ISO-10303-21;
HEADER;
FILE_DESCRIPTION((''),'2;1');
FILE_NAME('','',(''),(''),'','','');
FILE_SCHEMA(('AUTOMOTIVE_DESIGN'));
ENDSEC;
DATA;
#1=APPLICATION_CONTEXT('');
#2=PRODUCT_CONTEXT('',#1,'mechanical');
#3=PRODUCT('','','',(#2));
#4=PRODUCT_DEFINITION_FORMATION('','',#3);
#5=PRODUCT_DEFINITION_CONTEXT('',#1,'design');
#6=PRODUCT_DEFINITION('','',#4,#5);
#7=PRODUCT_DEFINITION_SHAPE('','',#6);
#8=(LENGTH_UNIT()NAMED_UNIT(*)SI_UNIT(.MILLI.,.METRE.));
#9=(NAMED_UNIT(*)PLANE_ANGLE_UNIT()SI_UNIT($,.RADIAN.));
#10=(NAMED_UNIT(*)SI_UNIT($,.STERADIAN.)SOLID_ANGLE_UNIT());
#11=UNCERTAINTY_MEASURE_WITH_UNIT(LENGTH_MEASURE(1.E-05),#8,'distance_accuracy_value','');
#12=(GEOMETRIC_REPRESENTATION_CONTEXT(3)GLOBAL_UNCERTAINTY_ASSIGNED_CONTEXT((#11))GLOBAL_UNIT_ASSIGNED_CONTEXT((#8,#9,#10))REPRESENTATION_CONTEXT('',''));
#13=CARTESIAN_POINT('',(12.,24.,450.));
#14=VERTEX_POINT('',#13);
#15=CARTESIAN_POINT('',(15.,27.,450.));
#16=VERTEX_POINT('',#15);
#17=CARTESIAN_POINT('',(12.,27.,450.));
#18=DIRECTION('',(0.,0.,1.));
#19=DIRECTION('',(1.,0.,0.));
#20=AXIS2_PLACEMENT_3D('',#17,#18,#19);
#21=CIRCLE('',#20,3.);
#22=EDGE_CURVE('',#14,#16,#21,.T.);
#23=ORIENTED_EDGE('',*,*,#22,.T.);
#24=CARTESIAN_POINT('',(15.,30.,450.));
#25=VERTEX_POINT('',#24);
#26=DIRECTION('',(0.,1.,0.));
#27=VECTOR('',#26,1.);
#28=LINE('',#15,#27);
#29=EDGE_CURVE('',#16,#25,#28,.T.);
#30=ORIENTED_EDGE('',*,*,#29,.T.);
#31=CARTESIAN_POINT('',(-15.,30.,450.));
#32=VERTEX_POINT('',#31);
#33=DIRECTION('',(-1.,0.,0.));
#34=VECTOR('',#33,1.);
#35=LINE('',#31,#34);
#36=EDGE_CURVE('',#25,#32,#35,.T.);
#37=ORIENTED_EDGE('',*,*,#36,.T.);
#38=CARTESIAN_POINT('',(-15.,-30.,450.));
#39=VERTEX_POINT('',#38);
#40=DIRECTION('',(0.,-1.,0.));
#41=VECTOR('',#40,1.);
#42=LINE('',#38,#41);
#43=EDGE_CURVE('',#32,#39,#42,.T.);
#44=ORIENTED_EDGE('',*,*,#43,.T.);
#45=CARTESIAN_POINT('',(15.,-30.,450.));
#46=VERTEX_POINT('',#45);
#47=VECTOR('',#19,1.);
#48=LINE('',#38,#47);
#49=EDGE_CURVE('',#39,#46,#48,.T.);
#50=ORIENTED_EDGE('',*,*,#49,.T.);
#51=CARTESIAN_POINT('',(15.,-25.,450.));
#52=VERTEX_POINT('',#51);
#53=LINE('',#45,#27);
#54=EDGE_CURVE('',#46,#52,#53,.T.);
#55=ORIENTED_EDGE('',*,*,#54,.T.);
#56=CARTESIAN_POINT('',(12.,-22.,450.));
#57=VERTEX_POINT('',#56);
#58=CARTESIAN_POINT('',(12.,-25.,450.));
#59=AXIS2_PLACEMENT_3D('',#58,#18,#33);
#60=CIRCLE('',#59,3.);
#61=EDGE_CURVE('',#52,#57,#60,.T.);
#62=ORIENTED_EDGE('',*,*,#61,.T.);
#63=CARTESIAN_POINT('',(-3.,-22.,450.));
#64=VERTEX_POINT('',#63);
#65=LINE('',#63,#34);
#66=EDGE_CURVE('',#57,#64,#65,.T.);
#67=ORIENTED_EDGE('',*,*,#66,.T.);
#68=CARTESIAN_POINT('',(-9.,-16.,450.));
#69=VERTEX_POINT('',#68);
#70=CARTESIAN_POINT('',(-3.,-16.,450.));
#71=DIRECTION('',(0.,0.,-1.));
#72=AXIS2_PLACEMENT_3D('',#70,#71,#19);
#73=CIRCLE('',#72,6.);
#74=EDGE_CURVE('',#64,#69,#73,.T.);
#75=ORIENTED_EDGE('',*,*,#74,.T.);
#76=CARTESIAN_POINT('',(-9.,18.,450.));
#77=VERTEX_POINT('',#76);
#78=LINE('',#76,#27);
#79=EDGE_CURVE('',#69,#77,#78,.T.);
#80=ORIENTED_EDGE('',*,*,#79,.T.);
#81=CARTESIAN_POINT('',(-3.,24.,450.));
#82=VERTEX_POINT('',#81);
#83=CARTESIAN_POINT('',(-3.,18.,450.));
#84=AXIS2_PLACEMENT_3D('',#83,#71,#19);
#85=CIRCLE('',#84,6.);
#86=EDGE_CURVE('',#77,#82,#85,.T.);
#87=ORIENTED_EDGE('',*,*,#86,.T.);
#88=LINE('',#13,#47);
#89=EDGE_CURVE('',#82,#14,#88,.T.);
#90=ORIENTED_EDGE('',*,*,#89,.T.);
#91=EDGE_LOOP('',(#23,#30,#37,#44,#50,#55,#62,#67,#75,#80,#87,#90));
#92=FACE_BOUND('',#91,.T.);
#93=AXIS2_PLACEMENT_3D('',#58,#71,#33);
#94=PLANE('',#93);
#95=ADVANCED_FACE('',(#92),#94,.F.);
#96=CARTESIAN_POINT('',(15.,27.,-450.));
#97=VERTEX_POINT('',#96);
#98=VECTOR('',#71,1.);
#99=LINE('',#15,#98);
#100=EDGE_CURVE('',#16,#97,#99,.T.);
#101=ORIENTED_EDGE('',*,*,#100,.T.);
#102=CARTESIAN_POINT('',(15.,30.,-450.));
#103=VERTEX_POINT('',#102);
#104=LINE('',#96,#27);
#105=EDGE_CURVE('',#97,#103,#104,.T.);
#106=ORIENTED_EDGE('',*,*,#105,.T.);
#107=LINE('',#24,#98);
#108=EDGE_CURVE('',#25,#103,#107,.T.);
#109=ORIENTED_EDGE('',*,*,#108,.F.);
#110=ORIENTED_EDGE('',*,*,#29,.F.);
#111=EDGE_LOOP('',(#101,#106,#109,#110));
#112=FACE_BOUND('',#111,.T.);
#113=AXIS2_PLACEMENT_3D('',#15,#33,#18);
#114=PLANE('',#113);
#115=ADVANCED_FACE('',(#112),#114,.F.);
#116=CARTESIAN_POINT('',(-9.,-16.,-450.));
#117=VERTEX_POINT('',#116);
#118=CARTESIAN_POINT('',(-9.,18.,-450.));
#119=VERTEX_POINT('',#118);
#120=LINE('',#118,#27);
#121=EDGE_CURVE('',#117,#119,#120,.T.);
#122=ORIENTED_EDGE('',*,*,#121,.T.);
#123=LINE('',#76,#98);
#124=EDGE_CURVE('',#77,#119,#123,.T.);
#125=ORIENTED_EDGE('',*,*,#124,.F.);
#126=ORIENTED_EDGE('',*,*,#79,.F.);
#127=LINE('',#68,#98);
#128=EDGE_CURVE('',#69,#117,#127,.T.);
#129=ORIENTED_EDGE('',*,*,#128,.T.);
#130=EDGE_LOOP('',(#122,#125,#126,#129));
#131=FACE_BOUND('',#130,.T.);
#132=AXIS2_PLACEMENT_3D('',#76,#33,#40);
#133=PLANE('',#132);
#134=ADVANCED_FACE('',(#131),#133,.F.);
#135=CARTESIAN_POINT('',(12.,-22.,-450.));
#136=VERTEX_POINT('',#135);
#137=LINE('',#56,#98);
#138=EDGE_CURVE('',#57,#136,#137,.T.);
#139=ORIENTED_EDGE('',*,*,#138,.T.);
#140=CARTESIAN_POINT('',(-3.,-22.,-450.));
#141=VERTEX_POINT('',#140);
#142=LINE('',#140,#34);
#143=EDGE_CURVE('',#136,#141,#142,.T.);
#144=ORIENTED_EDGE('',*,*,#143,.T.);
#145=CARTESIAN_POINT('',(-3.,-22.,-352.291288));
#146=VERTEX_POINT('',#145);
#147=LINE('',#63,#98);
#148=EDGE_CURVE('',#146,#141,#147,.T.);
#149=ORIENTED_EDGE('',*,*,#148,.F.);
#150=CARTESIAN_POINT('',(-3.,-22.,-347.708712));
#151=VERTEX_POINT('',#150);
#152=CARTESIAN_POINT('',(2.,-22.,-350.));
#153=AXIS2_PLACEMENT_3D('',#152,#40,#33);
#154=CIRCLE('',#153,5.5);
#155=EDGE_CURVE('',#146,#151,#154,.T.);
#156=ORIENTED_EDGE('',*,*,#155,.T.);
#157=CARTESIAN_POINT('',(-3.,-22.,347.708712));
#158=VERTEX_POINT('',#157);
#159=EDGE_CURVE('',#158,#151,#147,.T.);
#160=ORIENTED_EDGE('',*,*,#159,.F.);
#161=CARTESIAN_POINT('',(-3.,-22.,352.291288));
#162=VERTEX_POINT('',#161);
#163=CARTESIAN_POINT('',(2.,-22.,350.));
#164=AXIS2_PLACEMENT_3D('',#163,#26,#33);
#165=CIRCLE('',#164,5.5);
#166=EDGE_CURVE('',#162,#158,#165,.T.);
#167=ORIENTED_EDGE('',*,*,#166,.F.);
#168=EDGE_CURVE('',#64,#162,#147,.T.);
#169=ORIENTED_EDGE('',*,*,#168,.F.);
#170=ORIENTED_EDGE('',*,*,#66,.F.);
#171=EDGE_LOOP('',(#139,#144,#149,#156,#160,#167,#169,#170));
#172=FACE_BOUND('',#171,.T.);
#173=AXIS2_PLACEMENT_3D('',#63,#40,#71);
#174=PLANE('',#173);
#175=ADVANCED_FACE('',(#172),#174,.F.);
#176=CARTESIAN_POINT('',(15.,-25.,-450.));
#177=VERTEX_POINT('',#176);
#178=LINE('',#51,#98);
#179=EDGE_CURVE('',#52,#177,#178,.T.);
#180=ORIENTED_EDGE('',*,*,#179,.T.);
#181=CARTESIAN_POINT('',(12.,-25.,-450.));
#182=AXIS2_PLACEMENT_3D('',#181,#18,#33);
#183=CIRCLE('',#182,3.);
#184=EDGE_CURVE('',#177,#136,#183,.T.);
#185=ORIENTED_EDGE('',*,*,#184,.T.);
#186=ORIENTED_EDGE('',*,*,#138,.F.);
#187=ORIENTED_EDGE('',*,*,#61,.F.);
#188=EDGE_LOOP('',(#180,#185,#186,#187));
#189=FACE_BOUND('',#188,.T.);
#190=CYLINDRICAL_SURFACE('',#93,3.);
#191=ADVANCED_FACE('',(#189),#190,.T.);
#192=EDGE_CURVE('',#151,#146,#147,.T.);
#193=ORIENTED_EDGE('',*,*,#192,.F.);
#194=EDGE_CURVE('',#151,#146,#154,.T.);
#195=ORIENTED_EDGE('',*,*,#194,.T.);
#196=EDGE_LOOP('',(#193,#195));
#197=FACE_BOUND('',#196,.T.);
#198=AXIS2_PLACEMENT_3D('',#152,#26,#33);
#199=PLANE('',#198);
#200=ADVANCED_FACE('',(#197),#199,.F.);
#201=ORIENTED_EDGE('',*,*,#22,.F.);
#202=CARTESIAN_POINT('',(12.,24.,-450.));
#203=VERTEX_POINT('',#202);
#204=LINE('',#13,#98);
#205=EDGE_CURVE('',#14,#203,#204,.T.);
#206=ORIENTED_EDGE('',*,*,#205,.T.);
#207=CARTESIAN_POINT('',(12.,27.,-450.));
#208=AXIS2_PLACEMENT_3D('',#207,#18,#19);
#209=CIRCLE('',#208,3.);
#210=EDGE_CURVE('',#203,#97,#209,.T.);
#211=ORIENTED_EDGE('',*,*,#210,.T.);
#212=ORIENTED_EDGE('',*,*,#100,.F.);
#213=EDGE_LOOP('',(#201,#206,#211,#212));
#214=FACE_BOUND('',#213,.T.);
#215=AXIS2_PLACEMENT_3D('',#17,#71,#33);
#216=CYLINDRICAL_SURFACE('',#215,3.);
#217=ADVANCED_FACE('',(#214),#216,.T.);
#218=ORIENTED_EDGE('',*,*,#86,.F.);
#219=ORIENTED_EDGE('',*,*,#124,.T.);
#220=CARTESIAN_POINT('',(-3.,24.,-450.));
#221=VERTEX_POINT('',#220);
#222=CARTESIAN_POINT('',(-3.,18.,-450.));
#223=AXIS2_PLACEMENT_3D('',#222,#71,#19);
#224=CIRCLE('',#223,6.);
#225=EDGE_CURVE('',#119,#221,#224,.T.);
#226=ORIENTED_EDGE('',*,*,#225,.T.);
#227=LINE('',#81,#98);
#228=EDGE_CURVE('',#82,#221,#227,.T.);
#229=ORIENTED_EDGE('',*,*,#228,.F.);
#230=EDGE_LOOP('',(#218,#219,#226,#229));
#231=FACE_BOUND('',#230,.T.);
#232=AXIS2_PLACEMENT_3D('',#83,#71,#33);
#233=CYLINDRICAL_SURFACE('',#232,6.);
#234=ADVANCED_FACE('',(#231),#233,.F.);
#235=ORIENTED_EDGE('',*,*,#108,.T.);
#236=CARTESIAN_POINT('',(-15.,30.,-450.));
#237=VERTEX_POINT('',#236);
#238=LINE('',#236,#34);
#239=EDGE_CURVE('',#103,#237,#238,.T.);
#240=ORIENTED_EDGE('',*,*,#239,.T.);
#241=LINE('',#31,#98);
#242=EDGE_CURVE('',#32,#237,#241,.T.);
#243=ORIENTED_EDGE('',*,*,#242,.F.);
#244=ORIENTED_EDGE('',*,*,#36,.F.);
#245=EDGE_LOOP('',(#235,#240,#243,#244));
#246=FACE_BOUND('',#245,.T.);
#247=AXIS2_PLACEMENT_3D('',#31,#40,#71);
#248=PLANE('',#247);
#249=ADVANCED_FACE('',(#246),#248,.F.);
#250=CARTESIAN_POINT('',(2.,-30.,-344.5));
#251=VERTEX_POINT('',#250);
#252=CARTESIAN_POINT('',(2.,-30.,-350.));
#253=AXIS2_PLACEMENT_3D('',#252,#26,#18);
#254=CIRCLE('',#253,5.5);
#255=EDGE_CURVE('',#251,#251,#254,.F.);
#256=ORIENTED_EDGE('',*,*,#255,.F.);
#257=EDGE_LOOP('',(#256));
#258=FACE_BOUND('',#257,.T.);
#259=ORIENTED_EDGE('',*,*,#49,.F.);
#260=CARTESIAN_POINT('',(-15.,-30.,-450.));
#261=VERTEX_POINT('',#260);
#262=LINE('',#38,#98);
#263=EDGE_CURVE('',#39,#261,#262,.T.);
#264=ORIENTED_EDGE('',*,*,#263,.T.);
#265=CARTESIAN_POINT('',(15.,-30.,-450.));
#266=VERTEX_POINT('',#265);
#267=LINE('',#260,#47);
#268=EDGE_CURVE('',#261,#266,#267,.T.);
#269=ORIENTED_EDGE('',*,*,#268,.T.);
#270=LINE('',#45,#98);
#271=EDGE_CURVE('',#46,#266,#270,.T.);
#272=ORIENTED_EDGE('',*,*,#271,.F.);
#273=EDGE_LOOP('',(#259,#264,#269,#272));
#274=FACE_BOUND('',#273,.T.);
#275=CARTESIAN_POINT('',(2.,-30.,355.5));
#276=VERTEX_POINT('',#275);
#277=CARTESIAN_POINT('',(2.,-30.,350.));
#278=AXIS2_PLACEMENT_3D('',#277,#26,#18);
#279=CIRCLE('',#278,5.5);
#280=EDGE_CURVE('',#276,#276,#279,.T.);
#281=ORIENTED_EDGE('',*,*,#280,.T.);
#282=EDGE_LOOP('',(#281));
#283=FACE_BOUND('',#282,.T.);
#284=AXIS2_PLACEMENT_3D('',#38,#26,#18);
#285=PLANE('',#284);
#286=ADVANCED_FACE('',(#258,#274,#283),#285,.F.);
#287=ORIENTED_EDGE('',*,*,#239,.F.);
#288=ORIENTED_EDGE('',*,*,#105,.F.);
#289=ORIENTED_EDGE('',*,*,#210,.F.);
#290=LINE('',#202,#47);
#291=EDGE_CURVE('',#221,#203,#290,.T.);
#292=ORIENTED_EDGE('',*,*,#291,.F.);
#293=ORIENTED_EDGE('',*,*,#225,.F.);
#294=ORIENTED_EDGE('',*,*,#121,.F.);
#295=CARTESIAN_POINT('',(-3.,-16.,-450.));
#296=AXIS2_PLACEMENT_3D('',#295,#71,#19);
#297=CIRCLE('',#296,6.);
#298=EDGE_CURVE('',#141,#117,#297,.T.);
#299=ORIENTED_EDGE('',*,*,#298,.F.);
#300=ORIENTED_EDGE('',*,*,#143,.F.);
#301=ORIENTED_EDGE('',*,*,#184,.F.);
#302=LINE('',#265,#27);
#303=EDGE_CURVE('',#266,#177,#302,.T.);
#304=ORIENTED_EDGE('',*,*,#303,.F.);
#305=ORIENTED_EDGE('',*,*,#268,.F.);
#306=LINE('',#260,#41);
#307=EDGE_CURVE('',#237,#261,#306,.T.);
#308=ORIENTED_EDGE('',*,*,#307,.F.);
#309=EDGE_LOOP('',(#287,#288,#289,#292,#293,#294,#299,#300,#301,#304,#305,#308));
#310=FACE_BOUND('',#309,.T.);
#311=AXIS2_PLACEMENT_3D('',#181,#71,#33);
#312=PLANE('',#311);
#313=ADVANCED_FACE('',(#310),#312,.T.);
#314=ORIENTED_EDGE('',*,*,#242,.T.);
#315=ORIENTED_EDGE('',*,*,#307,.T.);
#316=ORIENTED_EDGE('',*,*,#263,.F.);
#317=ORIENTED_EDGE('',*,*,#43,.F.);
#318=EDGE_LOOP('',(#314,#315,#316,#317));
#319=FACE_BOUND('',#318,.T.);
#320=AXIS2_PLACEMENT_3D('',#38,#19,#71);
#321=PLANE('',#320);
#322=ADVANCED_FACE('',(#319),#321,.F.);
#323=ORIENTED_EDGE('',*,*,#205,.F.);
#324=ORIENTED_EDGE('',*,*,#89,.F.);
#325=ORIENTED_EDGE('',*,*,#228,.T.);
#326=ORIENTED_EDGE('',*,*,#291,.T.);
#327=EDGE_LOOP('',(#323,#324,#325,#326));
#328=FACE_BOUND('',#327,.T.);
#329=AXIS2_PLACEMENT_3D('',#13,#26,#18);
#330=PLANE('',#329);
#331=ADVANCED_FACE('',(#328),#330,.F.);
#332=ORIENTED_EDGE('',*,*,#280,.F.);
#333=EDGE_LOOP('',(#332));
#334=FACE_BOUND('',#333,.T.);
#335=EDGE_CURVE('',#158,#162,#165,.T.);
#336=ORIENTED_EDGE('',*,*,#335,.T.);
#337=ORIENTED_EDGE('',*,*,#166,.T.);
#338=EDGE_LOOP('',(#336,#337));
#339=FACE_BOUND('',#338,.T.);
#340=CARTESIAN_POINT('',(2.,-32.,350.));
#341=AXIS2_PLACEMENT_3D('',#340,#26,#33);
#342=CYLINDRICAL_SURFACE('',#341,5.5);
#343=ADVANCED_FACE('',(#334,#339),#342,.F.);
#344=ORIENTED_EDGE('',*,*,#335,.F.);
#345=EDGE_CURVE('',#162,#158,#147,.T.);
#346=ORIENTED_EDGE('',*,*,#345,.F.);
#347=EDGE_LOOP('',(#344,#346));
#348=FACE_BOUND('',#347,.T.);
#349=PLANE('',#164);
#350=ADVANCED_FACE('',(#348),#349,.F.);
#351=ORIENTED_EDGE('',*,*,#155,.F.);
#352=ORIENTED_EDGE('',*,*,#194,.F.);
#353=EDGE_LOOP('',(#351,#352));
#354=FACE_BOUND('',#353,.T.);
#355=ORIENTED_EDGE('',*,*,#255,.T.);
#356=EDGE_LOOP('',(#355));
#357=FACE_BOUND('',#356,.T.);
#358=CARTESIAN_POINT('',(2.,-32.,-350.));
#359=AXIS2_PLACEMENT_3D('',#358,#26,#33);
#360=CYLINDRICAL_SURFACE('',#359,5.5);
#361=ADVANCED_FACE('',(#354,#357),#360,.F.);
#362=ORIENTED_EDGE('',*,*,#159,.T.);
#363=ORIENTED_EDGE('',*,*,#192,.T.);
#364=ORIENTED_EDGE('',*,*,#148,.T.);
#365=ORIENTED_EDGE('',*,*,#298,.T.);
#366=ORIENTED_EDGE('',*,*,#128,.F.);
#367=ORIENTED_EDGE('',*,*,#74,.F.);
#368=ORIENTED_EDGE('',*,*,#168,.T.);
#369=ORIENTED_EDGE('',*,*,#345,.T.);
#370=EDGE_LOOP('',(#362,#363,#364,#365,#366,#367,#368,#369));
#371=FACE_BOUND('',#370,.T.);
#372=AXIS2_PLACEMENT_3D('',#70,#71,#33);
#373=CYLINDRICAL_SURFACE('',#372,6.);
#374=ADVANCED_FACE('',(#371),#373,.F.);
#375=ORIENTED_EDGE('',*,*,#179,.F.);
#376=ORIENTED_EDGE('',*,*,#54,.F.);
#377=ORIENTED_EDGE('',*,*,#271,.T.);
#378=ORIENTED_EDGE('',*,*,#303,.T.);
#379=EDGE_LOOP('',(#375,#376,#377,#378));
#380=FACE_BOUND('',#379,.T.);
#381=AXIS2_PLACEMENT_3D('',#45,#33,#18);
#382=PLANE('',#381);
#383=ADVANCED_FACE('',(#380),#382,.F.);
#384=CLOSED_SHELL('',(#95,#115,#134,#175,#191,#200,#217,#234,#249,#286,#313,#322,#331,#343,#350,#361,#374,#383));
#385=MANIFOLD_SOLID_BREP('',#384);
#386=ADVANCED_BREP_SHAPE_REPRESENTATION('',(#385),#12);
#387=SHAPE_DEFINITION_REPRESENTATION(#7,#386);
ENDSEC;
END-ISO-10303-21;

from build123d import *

# Parameters (mm, degrees)
BOSS_EXTRUDE1_DEPTH = 450
SKETCH2_R           = 5.5
CUT_EXTRUDE1_DEPTH  = 10


with BuildPart() as part:
    # Sketch1 → Boss-Extrude1 (new, symmetric)
    with BuildSketch(Plane.XY):
        with BuildLine():
            Line((12, 24), (-3, 24))
            ThreePointArc((-3, 24), (-7.242640687, 22.242640687), (-9, 18))
            Line((-9, 18), (-9, -16))
            ThreePointArc((-9, -16), (-7.242640687, -20.242640687), (-3, -22))
            Line((-3, -22), (12, -22))
            ThreePointArc((12, -22), (14.121320344, -22.878679656), (15, -25))
            Line((15, -25), (15, -30))
            Line((15, -30), (-15, -30))
            Line((-15, -30), (-15, 30))
            Line((-15, 30), (15, 30))
            Line((15, 30), (15, 27))
            ThreePointArc((15, 27), (14.121320344, 24.878679656), (12, 24))
        make_face()
    extrude(amount=BOSS_EXTRUDE1_DEPTH, both=True)

    # Sketch2 → Cut-Extrude1 (cut)
    with BuildSketch(Plane(origin=(0, -22, 0), x_dir=(1, 0, 0), z_dir=(0, 1, 0))):
        with Locations(Location((2, -350, 0), (0, 0, 204.619977329))):
            Circle(SKETCH2_R)
    cut_extrude1 = extrude(amount=-CUT_EXTRUDE1_DEPTH, mode=Mode.SUBTRACT)

    # Mirror1: Cut-Extrude1 across plane
    add(cut_extrude1.mirror(Plane.XY), mode=Mode.SUBTRACT)


solid = part.part
